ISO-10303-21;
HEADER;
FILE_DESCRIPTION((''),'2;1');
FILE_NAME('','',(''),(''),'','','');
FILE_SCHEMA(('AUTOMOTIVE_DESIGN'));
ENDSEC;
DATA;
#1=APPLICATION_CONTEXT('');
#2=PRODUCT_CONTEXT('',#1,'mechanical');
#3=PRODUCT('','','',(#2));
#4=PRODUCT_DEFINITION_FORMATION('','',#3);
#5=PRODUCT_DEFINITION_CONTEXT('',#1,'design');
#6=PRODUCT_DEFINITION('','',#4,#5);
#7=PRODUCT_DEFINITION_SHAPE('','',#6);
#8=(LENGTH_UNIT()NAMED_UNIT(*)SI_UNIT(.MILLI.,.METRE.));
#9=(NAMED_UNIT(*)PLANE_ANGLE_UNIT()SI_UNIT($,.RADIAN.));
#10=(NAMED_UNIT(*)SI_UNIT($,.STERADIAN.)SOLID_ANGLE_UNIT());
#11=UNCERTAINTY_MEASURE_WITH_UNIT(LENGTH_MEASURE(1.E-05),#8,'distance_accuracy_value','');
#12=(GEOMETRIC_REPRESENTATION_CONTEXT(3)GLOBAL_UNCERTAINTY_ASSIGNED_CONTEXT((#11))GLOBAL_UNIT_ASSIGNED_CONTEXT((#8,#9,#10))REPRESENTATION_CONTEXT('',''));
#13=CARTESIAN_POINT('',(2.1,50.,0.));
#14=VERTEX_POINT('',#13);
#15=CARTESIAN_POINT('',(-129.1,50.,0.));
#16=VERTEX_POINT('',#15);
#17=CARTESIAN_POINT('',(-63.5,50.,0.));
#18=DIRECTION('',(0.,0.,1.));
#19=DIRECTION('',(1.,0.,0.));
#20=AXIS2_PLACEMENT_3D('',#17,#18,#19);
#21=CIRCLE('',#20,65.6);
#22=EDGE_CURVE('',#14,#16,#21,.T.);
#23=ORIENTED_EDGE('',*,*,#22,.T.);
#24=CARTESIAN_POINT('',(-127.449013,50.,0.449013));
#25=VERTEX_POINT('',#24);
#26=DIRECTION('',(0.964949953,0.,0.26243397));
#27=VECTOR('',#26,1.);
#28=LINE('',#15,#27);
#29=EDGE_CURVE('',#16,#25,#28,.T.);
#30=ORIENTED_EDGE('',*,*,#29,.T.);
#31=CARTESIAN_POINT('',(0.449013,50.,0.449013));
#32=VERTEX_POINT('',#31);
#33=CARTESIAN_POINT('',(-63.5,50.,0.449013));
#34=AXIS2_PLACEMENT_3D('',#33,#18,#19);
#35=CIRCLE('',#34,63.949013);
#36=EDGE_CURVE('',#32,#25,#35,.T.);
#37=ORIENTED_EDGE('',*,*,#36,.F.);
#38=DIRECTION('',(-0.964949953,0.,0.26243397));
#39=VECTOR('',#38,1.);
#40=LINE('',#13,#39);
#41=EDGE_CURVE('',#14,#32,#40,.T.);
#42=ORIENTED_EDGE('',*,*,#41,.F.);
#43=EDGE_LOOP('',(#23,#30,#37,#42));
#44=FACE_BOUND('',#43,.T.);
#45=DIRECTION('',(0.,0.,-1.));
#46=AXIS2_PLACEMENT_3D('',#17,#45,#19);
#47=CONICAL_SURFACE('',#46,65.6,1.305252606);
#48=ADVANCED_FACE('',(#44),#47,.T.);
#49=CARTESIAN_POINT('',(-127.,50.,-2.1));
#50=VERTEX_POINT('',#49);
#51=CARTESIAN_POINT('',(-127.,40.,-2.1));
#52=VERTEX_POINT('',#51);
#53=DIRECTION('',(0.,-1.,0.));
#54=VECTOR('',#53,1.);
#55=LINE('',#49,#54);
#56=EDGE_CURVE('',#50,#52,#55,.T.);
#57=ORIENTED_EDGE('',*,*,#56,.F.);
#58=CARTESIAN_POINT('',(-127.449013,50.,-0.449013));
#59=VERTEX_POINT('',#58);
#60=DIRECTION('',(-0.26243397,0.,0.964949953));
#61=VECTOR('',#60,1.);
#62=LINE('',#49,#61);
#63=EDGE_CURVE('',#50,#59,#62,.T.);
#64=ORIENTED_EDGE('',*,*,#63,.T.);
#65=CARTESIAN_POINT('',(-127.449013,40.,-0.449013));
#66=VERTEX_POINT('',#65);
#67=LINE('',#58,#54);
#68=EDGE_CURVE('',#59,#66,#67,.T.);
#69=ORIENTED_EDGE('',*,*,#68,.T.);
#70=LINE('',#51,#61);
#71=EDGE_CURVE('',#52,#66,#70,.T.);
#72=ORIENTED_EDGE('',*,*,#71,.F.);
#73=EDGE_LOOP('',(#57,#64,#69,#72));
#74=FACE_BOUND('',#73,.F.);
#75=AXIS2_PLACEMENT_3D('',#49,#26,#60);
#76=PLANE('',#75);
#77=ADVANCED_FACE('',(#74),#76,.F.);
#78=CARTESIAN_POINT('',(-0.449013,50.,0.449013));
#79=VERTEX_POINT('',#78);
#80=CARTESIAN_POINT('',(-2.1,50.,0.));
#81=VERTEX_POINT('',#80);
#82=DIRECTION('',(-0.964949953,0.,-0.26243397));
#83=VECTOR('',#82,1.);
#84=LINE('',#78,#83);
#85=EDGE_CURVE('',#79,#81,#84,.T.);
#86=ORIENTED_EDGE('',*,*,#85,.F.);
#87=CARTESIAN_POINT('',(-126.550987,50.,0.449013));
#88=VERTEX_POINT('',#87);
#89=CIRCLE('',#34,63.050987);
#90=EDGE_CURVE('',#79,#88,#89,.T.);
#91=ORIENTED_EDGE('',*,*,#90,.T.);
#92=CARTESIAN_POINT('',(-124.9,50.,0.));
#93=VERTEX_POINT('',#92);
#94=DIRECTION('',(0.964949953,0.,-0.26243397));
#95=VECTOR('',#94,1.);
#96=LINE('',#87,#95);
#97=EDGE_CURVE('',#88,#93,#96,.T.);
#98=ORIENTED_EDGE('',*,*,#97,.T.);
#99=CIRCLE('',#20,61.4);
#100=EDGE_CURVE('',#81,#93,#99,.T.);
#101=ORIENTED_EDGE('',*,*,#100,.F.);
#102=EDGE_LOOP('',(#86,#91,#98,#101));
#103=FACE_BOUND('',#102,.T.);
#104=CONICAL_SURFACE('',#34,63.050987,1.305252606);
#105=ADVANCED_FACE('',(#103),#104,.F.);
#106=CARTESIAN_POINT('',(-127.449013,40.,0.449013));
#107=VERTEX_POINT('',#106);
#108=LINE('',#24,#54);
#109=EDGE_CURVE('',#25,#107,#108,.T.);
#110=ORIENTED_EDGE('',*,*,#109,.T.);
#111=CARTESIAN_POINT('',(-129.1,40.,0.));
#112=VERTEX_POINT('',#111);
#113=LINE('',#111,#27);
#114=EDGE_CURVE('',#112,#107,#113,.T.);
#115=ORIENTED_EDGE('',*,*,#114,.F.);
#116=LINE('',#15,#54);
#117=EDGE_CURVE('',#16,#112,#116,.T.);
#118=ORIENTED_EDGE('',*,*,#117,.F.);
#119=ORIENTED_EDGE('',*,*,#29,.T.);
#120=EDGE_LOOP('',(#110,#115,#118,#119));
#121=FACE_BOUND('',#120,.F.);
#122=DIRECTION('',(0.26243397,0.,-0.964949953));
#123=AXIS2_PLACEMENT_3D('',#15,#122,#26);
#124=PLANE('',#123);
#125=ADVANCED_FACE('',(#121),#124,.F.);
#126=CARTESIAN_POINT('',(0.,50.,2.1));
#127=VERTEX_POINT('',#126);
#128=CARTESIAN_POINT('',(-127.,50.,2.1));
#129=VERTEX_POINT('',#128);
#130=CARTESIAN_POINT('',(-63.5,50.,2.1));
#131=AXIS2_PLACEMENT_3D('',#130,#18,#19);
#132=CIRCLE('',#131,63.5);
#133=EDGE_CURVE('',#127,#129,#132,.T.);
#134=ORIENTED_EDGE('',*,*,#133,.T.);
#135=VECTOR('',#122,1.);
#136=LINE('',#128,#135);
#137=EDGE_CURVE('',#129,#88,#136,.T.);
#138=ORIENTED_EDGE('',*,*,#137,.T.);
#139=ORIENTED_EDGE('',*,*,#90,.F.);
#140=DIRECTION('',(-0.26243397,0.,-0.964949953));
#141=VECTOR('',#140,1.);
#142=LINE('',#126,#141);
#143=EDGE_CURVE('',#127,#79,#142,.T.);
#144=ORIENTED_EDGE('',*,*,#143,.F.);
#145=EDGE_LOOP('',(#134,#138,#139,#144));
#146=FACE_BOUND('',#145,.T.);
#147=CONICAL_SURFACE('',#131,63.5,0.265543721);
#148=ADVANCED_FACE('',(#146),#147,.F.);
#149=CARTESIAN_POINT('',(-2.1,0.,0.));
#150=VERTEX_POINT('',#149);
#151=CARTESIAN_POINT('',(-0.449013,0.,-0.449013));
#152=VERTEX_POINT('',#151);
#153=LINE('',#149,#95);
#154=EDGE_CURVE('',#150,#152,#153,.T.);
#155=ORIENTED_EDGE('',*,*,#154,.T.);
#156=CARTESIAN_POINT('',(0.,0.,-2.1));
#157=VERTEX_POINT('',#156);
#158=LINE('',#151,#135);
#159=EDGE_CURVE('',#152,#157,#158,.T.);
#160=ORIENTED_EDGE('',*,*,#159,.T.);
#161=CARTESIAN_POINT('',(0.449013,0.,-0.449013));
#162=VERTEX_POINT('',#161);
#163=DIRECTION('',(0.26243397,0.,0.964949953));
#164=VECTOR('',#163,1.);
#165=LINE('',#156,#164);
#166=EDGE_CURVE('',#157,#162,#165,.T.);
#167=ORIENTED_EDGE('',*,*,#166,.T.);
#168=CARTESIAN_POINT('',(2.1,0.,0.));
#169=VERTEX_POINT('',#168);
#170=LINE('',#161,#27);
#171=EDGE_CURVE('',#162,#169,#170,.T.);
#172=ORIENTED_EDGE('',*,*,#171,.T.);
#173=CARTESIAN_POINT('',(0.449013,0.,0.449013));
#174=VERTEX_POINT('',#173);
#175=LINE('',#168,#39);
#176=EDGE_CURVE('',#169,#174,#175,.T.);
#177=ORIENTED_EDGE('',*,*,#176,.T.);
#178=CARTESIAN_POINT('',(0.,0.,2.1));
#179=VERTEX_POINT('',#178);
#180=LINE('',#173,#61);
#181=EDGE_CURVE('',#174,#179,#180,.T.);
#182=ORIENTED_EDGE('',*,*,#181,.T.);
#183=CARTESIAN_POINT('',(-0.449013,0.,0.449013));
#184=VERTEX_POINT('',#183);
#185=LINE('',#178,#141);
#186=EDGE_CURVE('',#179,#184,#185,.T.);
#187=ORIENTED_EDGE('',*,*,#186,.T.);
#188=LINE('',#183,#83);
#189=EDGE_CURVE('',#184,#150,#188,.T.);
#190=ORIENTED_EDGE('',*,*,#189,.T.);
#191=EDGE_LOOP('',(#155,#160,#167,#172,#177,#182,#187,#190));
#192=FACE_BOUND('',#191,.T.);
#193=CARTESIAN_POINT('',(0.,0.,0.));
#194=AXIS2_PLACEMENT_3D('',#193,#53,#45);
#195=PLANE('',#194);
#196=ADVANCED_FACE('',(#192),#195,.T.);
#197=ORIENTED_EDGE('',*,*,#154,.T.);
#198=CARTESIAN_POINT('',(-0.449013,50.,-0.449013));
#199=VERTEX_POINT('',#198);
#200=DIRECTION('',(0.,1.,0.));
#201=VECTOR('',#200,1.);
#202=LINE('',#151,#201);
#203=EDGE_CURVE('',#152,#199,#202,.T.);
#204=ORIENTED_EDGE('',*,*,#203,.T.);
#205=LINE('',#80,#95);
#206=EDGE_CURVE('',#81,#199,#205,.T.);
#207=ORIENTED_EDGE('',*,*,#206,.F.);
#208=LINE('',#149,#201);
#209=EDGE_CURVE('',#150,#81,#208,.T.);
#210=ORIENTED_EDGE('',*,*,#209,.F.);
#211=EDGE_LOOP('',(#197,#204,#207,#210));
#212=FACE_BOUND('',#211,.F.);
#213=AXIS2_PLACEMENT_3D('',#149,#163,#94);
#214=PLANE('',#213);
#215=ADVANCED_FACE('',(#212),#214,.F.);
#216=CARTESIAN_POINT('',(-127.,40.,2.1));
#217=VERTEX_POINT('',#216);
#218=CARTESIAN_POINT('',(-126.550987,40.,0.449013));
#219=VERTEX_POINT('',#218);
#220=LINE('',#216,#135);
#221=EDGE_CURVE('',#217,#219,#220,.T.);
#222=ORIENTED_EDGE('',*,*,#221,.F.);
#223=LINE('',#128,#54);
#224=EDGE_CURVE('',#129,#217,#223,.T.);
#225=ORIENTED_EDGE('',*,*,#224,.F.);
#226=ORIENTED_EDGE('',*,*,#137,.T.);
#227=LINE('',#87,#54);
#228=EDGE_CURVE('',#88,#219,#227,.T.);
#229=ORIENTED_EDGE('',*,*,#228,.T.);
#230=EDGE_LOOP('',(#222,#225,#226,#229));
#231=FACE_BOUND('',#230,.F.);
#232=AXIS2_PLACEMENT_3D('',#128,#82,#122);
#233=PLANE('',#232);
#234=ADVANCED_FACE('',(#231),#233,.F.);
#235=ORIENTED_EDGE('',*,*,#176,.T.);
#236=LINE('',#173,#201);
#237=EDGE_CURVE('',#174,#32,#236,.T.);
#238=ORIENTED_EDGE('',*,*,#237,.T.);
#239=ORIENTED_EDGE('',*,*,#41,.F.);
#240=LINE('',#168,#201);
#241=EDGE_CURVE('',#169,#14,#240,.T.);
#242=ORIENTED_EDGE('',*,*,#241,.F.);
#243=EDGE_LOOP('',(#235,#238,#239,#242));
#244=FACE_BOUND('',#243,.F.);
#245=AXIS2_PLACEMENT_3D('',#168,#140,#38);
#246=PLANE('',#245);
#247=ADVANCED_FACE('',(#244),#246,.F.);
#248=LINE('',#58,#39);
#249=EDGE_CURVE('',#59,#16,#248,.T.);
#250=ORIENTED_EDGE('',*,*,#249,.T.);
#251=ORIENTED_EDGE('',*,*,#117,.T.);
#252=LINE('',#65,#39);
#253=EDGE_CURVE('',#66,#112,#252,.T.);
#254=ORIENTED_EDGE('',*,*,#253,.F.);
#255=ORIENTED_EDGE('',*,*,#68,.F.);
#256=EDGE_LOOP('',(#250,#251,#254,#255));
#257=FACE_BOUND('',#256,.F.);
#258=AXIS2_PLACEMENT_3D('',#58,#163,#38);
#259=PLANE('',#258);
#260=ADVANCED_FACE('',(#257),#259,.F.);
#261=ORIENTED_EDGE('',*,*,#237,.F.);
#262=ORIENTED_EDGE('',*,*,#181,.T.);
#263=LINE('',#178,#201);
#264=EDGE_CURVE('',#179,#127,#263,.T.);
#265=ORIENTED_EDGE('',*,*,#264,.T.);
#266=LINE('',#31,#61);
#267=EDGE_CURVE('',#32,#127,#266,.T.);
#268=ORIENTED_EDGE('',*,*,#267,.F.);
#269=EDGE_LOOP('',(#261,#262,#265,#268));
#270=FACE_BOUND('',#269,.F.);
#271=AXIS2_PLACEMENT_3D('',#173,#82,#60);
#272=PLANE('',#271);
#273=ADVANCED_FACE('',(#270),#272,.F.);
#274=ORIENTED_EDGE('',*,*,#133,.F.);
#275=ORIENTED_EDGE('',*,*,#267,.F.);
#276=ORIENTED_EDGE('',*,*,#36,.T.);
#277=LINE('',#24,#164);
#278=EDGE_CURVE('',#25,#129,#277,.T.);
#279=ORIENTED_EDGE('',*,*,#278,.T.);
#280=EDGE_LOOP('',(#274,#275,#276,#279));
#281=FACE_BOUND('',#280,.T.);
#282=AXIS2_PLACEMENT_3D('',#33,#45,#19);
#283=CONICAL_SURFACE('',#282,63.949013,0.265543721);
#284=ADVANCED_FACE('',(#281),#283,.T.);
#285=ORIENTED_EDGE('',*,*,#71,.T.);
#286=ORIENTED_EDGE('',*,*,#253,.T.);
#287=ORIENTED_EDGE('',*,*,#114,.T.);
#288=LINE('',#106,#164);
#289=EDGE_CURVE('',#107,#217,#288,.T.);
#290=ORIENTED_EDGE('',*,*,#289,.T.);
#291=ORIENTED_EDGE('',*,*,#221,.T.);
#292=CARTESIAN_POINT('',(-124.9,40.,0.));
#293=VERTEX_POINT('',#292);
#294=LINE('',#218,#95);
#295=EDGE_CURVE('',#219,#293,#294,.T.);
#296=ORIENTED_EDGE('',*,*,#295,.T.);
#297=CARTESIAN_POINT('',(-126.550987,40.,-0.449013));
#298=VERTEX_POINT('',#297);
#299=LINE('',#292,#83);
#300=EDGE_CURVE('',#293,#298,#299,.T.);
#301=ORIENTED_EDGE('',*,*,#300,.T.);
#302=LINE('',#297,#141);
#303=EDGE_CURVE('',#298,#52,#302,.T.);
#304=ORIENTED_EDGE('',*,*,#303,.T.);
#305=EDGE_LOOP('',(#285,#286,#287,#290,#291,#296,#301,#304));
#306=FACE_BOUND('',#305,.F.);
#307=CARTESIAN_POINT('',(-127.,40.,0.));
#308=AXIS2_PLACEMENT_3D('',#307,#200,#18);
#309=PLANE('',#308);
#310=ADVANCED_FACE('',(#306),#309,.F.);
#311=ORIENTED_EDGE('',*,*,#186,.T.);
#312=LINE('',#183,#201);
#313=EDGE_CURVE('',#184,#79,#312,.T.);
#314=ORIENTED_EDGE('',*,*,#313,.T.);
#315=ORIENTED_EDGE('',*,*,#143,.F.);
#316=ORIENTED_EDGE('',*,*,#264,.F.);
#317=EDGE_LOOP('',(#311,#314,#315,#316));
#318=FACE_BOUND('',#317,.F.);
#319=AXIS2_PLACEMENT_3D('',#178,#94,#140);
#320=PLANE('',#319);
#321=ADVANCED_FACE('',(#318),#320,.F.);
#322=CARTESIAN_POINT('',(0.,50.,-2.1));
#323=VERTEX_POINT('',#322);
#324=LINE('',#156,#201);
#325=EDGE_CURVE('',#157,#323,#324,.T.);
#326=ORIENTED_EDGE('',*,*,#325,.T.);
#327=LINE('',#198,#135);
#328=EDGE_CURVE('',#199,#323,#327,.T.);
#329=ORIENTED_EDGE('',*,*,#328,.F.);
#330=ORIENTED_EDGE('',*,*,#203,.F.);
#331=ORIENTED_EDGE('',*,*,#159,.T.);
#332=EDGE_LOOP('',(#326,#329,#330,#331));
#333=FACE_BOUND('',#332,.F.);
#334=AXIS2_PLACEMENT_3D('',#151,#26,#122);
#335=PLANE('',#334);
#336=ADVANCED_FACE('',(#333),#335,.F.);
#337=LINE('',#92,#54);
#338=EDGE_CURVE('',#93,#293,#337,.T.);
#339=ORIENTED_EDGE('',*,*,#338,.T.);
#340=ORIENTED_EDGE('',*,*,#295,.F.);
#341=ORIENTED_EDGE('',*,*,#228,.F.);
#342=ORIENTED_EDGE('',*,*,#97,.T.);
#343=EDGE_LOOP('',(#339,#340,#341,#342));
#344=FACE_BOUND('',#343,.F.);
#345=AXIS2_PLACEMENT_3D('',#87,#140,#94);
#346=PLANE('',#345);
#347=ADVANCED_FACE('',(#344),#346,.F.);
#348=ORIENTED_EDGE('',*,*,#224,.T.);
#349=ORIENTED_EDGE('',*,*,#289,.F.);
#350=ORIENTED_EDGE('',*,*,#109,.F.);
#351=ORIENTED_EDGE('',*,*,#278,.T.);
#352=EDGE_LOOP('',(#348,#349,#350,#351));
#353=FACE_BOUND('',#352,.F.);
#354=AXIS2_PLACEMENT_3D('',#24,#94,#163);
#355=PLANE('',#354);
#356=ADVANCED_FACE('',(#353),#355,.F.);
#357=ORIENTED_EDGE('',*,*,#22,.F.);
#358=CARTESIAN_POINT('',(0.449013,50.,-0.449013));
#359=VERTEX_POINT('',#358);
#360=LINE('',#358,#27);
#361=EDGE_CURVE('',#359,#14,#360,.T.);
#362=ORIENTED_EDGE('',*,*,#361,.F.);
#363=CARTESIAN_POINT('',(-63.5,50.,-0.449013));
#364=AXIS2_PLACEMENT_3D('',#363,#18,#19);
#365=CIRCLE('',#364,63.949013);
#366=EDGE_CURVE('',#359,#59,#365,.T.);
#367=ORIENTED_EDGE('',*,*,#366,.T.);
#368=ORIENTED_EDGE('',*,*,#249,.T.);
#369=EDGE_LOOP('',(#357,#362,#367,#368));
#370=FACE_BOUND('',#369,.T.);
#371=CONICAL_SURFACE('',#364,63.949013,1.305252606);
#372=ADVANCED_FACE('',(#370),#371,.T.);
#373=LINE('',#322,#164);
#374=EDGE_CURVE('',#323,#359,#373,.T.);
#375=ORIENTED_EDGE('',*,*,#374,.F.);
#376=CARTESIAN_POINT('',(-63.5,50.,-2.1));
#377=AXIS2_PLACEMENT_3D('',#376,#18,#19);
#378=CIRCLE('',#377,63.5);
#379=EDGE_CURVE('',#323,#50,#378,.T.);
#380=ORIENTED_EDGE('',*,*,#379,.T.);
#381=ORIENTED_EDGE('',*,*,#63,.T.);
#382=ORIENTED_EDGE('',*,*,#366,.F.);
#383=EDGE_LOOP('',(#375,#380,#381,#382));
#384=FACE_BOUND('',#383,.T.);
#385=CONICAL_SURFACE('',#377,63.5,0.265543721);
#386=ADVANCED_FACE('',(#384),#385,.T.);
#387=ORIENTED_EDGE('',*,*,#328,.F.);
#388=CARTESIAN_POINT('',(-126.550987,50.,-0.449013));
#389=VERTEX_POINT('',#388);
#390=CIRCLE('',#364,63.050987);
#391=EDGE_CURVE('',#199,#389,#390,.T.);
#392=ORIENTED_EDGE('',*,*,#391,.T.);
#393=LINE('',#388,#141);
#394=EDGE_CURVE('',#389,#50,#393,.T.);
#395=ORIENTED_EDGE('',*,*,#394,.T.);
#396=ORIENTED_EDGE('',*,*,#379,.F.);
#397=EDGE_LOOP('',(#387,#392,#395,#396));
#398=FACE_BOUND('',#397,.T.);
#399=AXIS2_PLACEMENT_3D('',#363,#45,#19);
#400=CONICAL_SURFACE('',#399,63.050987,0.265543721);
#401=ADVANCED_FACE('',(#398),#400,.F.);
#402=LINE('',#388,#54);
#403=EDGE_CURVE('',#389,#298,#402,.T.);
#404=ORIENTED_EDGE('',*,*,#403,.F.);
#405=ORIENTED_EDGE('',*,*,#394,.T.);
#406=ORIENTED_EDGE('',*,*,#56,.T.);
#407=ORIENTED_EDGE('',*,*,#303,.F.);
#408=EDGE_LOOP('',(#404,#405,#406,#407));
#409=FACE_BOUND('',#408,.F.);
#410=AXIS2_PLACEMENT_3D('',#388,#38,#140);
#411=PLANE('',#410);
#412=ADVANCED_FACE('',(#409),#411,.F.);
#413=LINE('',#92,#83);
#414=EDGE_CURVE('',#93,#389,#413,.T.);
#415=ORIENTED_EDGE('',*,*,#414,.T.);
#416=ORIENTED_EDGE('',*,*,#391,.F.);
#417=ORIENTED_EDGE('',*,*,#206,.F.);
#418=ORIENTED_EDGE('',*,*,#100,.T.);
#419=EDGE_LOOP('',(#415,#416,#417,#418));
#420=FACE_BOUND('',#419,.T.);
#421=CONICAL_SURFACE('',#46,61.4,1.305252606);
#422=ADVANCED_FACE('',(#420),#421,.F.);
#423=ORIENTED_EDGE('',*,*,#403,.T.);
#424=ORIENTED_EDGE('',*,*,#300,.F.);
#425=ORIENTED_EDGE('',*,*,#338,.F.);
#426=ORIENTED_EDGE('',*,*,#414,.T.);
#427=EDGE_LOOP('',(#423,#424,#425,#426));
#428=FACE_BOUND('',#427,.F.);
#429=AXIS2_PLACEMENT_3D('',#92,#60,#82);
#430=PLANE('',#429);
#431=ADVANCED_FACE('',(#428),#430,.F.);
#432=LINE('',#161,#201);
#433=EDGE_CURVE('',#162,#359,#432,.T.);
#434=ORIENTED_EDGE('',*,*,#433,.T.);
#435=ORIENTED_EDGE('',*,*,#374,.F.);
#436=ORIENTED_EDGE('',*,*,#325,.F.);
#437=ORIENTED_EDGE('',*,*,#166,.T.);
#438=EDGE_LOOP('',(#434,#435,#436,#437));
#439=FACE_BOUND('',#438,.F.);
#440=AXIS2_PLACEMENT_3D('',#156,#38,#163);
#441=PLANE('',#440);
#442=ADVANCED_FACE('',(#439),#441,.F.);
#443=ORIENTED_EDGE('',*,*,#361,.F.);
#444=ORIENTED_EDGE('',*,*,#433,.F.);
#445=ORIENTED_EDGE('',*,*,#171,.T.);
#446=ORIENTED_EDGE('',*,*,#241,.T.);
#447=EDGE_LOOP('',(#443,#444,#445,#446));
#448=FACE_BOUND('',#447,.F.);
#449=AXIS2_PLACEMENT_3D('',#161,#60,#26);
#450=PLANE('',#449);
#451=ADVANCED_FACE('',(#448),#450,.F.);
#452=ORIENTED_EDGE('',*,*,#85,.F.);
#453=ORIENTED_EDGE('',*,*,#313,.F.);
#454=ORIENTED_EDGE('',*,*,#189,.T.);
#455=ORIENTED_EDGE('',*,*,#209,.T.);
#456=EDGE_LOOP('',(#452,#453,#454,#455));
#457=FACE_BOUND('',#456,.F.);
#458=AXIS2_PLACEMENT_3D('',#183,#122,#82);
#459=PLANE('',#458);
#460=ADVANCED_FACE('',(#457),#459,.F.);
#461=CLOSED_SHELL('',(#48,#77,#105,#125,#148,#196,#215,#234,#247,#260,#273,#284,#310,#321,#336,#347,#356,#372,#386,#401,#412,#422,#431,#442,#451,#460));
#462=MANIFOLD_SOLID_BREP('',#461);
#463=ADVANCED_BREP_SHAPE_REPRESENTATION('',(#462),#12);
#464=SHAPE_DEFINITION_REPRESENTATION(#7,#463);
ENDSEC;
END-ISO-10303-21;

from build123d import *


with BuildPart() as part:
    # AdditivePipe: sweep along a path in Sketch
    with BuildLine(Plane.XY) as additivepipe_path:
        Line((0, 0), (0, 50))
        ThreePointArc((0, 50), (-63.5, 113.5), (-127, 50))
        Line((-127, 50), (-127, 40))
    # Sketch001 → AdditivePipe (sweep)
    with BuildSketch(Plane.XZ):
        Polygon((2.1, 0), (0.449013, 0.449013), (0, 2.1), (-0.449013, 0.449013), (-2.1, 0), (-0.449013, -0.449013), (0, -2.1), (0.449013, -0.449013), align=None)
    sweep(path=additivepipe_path.line)


solid = part.part
